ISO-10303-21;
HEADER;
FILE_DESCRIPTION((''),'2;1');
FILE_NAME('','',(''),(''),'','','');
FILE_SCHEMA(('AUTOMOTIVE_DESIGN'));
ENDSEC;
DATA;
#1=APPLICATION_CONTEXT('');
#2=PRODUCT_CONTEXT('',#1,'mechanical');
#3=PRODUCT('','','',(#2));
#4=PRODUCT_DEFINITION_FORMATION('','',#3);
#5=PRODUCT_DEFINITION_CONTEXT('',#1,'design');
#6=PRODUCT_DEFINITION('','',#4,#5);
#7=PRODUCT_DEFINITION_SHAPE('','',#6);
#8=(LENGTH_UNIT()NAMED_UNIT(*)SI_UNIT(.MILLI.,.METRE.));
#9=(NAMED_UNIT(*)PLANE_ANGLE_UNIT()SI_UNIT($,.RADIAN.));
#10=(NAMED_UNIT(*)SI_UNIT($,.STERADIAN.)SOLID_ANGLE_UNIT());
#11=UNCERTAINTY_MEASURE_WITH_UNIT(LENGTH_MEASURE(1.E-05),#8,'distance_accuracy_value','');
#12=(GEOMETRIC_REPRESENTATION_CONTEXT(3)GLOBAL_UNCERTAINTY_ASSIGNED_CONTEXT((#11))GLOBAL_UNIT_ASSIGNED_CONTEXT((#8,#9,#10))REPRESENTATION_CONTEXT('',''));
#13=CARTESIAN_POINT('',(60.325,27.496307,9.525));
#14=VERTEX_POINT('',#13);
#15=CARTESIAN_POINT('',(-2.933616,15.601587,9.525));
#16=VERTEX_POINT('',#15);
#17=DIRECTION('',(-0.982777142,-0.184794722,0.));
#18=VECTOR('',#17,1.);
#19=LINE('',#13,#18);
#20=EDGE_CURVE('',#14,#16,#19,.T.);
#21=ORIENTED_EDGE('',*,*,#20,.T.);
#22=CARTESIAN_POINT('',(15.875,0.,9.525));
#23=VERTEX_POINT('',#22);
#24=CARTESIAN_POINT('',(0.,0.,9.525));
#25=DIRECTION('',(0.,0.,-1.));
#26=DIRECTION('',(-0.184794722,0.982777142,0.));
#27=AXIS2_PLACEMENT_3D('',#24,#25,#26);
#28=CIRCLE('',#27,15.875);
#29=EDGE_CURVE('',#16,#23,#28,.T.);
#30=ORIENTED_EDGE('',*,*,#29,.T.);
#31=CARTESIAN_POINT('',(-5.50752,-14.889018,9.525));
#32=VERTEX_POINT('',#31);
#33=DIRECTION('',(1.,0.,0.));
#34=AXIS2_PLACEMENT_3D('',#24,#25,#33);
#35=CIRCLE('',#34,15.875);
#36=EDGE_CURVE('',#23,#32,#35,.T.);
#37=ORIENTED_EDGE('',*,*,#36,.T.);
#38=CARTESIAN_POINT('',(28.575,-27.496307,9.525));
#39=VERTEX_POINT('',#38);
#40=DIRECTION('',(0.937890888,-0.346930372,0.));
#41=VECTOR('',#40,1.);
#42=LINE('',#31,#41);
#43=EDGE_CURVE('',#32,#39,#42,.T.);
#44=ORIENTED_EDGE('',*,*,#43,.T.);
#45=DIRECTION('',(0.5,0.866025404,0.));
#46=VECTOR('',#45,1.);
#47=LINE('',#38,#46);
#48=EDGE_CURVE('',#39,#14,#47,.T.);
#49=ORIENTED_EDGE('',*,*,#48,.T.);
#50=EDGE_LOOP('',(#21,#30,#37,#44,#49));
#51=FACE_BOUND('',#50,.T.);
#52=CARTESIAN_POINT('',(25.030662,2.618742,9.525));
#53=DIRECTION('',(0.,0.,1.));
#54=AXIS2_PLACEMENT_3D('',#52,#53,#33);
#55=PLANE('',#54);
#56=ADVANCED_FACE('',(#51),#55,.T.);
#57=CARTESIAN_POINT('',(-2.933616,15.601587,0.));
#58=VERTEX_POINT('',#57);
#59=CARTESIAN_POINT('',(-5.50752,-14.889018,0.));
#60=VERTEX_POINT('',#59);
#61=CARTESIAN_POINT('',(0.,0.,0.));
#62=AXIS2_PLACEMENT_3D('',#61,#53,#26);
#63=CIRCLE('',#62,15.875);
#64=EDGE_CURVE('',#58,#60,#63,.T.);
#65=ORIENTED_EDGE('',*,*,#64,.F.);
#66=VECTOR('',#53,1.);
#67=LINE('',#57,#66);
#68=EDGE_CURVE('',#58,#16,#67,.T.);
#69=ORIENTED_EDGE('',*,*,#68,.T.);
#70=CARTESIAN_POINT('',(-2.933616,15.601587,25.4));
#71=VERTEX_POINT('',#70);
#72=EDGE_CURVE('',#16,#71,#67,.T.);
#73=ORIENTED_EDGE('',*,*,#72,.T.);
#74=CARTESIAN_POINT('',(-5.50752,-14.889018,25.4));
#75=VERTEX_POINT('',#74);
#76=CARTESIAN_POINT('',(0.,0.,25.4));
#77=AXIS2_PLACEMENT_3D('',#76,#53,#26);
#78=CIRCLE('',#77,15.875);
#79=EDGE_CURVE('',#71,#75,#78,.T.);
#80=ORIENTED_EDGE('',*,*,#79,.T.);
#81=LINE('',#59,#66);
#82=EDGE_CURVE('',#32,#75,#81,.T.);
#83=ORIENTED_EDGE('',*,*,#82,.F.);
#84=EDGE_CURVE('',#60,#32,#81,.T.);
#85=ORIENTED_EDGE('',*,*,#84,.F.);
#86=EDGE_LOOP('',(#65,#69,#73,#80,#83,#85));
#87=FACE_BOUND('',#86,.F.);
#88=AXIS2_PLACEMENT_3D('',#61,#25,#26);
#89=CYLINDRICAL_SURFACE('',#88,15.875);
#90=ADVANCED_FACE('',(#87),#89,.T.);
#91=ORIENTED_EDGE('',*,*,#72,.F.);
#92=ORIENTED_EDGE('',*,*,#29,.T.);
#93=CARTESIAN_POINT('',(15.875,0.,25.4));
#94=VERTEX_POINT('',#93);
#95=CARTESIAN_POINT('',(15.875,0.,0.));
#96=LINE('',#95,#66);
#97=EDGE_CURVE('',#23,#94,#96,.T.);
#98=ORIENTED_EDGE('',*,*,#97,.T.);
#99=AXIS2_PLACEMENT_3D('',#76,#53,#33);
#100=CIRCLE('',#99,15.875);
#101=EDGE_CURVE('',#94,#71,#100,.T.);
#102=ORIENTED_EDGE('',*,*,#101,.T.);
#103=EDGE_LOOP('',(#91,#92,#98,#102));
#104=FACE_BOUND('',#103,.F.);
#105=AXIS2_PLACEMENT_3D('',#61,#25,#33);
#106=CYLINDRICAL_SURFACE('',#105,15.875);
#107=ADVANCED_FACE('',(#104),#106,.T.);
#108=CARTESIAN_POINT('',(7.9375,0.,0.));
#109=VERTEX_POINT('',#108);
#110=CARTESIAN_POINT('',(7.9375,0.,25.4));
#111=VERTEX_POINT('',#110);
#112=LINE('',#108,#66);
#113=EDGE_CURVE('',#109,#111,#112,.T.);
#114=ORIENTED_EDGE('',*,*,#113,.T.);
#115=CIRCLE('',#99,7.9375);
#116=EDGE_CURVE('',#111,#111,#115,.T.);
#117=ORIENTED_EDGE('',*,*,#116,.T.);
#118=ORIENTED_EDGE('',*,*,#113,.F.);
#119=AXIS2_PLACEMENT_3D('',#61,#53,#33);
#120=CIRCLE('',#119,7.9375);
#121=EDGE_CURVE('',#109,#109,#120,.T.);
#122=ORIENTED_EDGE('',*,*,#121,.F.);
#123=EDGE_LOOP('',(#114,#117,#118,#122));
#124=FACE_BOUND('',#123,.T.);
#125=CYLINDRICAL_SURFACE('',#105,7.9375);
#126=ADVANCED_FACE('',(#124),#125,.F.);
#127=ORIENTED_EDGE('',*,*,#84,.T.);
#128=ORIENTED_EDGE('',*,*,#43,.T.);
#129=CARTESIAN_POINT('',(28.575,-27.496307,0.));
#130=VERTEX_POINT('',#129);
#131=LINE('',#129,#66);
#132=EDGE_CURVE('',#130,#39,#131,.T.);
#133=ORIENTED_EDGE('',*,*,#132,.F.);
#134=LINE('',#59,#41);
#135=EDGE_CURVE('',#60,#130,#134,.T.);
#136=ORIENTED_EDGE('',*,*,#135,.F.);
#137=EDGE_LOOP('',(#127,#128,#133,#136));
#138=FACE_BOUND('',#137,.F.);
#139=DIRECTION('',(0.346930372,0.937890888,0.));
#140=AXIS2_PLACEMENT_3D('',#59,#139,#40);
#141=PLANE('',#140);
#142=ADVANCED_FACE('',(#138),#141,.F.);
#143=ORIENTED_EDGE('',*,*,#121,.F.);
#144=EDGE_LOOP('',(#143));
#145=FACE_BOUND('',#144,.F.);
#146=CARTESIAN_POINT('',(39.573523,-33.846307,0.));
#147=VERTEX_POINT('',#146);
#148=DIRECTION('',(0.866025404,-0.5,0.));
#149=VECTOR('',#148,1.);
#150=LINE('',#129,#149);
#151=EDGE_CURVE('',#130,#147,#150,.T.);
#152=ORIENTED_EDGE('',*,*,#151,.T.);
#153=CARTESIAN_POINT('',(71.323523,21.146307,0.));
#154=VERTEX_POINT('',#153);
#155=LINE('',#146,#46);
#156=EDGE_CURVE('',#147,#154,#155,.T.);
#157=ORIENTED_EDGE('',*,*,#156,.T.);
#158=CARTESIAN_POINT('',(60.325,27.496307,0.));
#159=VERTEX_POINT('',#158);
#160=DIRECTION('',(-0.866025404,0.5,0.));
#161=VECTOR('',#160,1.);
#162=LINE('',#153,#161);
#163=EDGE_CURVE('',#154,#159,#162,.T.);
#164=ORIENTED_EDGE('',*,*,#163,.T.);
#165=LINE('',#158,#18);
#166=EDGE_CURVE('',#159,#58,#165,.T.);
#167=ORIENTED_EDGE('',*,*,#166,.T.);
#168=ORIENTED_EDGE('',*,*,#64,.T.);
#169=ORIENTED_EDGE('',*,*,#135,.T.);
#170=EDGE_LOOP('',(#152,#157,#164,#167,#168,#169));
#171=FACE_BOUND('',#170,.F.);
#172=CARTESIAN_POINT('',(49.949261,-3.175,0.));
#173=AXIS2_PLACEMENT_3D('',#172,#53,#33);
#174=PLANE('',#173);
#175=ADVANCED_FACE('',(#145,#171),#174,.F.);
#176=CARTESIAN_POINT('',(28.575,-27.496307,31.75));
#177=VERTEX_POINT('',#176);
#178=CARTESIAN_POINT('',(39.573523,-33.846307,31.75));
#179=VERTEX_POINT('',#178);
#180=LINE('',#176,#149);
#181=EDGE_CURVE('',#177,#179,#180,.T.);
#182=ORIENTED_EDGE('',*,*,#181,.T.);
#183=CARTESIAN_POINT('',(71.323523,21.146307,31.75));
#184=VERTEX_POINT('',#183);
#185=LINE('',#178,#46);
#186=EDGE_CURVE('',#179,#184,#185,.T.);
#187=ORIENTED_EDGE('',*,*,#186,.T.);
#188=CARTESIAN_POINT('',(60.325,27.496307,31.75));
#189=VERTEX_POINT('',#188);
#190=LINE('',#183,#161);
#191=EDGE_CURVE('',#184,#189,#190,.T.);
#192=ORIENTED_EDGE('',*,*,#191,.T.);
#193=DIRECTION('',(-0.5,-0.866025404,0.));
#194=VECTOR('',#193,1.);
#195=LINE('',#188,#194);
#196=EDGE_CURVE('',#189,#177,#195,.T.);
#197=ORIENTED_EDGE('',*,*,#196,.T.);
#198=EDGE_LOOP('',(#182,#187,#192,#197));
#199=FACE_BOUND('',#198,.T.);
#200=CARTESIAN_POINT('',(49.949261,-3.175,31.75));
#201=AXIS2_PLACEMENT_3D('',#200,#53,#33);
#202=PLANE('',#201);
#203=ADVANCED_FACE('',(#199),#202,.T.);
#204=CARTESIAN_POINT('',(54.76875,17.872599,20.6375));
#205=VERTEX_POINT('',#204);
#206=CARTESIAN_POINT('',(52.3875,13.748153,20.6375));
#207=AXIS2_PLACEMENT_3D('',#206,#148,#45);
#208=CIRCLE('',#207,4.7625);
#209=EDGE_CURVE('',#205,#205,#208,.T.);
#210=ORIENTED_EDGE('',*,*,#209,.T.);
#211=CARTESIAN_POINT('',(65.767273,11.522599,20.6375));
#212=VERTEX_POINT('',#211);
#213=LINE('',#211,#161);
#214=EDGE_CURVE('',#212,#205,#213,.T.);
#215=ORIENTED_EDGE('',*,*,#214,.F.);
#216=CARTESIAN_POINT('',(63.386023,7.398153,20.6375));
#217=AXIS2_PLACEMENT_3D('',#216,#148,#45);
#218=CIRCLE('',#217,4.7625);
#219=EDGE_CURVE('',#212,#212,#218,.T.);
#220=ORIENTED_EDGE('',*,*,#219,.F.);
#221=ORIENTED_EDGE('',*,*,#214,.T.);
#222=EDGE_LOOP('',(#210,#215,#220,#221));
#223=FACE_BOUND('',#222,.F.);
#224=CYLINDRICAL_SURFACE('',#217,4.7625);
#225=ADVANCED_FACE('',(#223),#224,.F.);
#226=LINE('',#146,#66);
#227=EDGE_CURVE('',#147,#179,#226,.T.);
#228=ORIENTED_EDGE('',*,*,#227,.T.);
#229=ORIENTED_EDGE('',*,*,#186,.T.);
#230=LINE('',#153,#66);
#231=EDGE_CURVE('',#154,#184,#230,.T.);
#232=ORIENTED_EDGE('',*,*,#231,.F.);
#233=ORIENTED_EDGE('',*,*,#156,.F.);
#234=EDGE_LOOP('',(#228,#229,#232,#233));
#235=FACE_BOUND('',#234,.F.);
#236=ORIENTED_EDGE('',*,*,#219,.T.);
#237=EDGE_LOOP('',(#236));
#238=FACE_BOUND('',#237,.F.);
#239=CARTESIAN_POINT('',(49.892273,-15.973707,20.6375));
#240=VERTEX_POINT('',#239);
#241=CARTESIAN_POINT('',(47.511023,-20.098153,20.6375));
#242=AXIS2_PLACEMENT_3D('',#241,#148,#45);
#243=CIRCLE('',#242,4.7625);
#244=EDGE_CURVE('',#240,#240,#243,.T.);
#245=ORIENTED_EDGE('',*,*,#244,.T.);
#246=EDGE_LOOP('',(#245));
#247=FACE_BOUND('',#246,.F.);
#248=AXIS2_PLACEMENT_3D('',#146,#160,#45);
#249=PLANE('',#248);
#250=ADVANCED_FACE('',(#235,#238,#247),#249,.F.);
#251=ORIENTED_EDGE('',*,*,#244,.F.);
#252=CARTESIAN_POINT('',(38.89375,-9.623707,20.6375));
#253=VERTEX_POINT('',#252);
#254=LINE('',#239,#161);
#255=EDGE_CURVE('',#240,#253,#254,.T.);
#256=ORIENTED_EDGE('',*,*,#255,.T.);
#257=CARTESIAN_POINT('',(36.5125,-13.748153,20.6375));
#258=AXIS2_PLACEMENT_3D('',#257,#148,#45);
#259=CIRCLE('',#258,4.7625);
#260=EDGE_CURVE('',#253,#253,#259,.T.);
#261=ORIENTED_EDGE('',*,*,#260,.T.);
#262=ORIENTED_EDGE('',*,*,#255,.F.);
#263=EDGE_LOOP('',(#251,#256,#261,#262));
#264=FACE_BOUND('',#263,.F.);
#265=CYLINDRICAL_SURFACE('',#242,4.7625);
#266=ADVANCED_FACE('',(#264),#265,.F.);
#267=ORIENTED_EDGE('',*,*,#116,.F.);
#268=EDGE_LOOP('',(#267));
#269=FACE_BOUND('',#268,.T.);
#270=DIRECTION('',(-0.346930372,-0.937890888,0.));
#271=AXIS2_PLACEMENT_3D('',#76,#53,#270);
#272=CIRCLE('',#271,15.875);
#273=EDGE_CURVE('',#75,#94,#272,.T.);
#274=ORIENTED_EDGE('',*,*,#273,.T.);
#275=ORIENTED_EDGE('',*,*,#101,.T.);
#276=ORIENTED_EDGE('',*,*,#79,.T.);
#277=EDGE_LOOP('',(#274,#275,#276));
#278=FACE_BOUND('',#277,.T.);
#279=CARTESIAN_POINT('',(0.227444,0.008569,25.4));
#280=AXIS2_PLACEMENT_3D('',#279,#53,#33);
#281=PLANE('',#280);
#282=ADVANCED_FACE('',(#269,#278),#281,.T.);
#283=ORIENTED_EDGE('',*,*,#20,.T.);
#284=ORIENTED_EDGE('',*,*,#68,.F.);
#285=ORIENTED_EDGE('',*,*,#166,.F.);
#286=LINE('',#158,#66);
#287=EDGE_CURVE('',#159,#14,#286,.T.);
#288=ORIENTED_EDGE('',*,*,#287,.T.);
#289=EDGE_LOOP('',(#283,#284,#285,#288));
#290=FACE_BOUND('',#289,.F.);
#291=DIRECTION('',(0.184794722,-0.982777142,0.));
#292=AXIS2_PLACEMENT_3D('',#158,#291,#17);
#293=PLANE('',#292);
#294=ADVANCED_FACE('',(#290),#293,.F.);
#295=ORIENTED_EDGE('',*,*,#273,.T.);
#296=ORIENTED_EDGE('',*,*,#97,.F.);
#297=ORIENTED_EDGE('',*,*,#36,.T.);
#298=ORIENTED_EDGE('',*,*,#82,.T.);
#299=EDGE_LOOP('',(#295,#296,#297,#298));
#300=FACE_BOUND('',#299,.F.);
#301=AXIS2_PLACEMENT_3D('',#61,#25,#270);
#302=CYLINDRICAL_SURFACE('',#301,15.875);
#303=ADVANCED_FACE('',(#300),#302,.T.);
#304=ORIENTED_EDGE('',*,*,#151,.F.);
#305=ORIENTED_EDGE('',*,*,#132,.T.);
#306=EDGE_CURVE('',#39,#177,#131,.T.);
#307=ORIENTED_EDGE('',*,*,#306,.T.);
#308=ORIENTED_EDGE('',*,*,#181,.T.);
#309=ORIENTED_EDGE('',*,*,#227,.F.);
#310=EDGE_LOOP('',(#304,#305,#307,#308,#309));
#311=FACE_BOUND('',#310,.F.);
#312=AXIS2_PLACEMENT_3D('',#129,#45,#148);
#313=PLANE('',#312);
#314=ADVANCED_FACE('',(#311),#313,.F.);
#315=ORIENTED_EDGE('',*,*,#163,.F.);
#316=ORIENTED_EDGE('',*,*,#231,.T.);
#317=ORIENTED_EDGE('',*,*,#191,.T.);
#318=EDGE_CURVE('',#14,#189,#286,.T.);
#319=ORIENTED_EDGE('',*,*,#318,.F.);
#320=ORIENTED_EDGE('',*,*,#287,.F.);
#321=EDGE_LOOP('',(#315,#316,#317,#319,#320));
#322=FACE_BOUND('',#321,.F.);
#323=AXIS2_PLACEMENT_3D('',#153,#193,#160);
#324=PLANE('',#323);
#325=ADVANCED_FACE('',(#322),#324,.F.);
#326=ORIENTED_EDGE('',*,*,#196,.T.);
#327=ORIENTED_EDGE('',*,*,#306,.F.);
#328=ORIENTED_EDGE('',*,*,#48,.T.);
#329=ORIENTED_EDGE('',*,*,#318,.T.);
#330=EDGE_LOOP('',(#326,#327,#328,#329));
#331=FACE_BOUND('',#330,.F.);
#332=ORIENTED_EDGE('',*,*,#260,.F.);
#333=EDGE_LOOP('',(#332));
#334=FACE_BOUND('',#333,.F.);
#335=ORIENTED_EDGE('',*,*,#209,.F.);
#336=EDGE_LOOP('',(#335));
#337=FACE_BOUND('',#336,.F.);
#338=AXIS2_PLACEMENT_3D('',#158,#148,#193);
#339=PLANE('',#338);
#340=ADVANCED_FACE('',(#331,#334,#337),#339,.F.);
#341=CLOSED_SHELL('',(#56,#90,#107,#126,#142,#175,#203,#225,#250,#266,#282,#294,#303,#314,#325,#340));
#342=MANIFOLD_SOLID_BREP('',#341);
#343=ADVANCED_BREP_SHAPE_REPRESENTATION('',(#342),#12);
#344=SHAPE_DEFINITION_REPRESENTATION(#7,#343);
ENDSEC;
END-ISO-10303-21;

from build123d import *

# Parameters (mm, degrees)
F1_DEPTH = 9.525
F0_R     = 7.9375
F2_DEPTH = 25.4
F3_DEPTH = 31.75
F4_R     = 4.7625
F5_DEPTH = 12.7


with BuildPart() as f1:
    # F0 (on Top) → F1 (new body)
    with BuildSketch(Plane.XY):
        with BuildLine():
            ThreePointArc((-2.933616207, 15.6015871292), (10.135197771, 12.2185674751), (15.875, 0))
            ThreePointArc((15.875, 0), (9.0714869373, -13.0278067896), (-5.5075196531, -14.8890178411))
            Line((-5.5075196531, -14.8890178411), (28.575, -27.4963065702))
            Line((28.575, -27.4963065702), (60.325, 27.4963065702))
            Line((60.325, 27.4963065702), (-2.933616207, 15.6015871292))
        make_face()
    extrude(amount=F1_DEPTH)

    # F0 (on Top) → F2 (join)
    with BuildSketch(Plane.XY):
        with BuildLine():
            ThreePointArc((-5.5075196531, -14.8890178411), (9.0714869373, -13.0278067896), (15.875, 0))
            ThreePointArc((15.875, 0), (10.135197771, 12.2185674751), (-2.933616207, 15.6015871292))
            ThreePointArc((-2.933616207, 15.6015871292), (-15.8187370392, 1.3353589349), (-5.5075196531, -14.8890178411))
        make_face()
        Circle(F0_R, mode=Mode.SUBTRACT)
    extrude(amount=F2_DEPTH)

    # F0 (on Top) → F3 (join)
    with BuildSketch(Plane.XY):
        Polygon((71.3235226281, 21.1463065702), (60.325, 27.4963065702), (28.575, -27.4963065702), (39.5735226281, -33.8463065702), align=None)
    extrude(amount=F3_DEPTH)

    # F4 (on face) → F5 (cut)
    with BuildSketch(Plane(origin=(44.3360226281, -25.5974145991, 0), x_dir=(0.5, 0.8660254038, 0), z_dir=(0.8660254038, -0.5, 0))):
        with Locations((6.35, 20.6375)):
            Circle(F4_R)
        with Locations((38.1, 20.6375)):
            Circle(F4_R)
    extrude(amount=-F5_DEPTH, mode=Mode.SUBTRACT)


solid = f1.part
